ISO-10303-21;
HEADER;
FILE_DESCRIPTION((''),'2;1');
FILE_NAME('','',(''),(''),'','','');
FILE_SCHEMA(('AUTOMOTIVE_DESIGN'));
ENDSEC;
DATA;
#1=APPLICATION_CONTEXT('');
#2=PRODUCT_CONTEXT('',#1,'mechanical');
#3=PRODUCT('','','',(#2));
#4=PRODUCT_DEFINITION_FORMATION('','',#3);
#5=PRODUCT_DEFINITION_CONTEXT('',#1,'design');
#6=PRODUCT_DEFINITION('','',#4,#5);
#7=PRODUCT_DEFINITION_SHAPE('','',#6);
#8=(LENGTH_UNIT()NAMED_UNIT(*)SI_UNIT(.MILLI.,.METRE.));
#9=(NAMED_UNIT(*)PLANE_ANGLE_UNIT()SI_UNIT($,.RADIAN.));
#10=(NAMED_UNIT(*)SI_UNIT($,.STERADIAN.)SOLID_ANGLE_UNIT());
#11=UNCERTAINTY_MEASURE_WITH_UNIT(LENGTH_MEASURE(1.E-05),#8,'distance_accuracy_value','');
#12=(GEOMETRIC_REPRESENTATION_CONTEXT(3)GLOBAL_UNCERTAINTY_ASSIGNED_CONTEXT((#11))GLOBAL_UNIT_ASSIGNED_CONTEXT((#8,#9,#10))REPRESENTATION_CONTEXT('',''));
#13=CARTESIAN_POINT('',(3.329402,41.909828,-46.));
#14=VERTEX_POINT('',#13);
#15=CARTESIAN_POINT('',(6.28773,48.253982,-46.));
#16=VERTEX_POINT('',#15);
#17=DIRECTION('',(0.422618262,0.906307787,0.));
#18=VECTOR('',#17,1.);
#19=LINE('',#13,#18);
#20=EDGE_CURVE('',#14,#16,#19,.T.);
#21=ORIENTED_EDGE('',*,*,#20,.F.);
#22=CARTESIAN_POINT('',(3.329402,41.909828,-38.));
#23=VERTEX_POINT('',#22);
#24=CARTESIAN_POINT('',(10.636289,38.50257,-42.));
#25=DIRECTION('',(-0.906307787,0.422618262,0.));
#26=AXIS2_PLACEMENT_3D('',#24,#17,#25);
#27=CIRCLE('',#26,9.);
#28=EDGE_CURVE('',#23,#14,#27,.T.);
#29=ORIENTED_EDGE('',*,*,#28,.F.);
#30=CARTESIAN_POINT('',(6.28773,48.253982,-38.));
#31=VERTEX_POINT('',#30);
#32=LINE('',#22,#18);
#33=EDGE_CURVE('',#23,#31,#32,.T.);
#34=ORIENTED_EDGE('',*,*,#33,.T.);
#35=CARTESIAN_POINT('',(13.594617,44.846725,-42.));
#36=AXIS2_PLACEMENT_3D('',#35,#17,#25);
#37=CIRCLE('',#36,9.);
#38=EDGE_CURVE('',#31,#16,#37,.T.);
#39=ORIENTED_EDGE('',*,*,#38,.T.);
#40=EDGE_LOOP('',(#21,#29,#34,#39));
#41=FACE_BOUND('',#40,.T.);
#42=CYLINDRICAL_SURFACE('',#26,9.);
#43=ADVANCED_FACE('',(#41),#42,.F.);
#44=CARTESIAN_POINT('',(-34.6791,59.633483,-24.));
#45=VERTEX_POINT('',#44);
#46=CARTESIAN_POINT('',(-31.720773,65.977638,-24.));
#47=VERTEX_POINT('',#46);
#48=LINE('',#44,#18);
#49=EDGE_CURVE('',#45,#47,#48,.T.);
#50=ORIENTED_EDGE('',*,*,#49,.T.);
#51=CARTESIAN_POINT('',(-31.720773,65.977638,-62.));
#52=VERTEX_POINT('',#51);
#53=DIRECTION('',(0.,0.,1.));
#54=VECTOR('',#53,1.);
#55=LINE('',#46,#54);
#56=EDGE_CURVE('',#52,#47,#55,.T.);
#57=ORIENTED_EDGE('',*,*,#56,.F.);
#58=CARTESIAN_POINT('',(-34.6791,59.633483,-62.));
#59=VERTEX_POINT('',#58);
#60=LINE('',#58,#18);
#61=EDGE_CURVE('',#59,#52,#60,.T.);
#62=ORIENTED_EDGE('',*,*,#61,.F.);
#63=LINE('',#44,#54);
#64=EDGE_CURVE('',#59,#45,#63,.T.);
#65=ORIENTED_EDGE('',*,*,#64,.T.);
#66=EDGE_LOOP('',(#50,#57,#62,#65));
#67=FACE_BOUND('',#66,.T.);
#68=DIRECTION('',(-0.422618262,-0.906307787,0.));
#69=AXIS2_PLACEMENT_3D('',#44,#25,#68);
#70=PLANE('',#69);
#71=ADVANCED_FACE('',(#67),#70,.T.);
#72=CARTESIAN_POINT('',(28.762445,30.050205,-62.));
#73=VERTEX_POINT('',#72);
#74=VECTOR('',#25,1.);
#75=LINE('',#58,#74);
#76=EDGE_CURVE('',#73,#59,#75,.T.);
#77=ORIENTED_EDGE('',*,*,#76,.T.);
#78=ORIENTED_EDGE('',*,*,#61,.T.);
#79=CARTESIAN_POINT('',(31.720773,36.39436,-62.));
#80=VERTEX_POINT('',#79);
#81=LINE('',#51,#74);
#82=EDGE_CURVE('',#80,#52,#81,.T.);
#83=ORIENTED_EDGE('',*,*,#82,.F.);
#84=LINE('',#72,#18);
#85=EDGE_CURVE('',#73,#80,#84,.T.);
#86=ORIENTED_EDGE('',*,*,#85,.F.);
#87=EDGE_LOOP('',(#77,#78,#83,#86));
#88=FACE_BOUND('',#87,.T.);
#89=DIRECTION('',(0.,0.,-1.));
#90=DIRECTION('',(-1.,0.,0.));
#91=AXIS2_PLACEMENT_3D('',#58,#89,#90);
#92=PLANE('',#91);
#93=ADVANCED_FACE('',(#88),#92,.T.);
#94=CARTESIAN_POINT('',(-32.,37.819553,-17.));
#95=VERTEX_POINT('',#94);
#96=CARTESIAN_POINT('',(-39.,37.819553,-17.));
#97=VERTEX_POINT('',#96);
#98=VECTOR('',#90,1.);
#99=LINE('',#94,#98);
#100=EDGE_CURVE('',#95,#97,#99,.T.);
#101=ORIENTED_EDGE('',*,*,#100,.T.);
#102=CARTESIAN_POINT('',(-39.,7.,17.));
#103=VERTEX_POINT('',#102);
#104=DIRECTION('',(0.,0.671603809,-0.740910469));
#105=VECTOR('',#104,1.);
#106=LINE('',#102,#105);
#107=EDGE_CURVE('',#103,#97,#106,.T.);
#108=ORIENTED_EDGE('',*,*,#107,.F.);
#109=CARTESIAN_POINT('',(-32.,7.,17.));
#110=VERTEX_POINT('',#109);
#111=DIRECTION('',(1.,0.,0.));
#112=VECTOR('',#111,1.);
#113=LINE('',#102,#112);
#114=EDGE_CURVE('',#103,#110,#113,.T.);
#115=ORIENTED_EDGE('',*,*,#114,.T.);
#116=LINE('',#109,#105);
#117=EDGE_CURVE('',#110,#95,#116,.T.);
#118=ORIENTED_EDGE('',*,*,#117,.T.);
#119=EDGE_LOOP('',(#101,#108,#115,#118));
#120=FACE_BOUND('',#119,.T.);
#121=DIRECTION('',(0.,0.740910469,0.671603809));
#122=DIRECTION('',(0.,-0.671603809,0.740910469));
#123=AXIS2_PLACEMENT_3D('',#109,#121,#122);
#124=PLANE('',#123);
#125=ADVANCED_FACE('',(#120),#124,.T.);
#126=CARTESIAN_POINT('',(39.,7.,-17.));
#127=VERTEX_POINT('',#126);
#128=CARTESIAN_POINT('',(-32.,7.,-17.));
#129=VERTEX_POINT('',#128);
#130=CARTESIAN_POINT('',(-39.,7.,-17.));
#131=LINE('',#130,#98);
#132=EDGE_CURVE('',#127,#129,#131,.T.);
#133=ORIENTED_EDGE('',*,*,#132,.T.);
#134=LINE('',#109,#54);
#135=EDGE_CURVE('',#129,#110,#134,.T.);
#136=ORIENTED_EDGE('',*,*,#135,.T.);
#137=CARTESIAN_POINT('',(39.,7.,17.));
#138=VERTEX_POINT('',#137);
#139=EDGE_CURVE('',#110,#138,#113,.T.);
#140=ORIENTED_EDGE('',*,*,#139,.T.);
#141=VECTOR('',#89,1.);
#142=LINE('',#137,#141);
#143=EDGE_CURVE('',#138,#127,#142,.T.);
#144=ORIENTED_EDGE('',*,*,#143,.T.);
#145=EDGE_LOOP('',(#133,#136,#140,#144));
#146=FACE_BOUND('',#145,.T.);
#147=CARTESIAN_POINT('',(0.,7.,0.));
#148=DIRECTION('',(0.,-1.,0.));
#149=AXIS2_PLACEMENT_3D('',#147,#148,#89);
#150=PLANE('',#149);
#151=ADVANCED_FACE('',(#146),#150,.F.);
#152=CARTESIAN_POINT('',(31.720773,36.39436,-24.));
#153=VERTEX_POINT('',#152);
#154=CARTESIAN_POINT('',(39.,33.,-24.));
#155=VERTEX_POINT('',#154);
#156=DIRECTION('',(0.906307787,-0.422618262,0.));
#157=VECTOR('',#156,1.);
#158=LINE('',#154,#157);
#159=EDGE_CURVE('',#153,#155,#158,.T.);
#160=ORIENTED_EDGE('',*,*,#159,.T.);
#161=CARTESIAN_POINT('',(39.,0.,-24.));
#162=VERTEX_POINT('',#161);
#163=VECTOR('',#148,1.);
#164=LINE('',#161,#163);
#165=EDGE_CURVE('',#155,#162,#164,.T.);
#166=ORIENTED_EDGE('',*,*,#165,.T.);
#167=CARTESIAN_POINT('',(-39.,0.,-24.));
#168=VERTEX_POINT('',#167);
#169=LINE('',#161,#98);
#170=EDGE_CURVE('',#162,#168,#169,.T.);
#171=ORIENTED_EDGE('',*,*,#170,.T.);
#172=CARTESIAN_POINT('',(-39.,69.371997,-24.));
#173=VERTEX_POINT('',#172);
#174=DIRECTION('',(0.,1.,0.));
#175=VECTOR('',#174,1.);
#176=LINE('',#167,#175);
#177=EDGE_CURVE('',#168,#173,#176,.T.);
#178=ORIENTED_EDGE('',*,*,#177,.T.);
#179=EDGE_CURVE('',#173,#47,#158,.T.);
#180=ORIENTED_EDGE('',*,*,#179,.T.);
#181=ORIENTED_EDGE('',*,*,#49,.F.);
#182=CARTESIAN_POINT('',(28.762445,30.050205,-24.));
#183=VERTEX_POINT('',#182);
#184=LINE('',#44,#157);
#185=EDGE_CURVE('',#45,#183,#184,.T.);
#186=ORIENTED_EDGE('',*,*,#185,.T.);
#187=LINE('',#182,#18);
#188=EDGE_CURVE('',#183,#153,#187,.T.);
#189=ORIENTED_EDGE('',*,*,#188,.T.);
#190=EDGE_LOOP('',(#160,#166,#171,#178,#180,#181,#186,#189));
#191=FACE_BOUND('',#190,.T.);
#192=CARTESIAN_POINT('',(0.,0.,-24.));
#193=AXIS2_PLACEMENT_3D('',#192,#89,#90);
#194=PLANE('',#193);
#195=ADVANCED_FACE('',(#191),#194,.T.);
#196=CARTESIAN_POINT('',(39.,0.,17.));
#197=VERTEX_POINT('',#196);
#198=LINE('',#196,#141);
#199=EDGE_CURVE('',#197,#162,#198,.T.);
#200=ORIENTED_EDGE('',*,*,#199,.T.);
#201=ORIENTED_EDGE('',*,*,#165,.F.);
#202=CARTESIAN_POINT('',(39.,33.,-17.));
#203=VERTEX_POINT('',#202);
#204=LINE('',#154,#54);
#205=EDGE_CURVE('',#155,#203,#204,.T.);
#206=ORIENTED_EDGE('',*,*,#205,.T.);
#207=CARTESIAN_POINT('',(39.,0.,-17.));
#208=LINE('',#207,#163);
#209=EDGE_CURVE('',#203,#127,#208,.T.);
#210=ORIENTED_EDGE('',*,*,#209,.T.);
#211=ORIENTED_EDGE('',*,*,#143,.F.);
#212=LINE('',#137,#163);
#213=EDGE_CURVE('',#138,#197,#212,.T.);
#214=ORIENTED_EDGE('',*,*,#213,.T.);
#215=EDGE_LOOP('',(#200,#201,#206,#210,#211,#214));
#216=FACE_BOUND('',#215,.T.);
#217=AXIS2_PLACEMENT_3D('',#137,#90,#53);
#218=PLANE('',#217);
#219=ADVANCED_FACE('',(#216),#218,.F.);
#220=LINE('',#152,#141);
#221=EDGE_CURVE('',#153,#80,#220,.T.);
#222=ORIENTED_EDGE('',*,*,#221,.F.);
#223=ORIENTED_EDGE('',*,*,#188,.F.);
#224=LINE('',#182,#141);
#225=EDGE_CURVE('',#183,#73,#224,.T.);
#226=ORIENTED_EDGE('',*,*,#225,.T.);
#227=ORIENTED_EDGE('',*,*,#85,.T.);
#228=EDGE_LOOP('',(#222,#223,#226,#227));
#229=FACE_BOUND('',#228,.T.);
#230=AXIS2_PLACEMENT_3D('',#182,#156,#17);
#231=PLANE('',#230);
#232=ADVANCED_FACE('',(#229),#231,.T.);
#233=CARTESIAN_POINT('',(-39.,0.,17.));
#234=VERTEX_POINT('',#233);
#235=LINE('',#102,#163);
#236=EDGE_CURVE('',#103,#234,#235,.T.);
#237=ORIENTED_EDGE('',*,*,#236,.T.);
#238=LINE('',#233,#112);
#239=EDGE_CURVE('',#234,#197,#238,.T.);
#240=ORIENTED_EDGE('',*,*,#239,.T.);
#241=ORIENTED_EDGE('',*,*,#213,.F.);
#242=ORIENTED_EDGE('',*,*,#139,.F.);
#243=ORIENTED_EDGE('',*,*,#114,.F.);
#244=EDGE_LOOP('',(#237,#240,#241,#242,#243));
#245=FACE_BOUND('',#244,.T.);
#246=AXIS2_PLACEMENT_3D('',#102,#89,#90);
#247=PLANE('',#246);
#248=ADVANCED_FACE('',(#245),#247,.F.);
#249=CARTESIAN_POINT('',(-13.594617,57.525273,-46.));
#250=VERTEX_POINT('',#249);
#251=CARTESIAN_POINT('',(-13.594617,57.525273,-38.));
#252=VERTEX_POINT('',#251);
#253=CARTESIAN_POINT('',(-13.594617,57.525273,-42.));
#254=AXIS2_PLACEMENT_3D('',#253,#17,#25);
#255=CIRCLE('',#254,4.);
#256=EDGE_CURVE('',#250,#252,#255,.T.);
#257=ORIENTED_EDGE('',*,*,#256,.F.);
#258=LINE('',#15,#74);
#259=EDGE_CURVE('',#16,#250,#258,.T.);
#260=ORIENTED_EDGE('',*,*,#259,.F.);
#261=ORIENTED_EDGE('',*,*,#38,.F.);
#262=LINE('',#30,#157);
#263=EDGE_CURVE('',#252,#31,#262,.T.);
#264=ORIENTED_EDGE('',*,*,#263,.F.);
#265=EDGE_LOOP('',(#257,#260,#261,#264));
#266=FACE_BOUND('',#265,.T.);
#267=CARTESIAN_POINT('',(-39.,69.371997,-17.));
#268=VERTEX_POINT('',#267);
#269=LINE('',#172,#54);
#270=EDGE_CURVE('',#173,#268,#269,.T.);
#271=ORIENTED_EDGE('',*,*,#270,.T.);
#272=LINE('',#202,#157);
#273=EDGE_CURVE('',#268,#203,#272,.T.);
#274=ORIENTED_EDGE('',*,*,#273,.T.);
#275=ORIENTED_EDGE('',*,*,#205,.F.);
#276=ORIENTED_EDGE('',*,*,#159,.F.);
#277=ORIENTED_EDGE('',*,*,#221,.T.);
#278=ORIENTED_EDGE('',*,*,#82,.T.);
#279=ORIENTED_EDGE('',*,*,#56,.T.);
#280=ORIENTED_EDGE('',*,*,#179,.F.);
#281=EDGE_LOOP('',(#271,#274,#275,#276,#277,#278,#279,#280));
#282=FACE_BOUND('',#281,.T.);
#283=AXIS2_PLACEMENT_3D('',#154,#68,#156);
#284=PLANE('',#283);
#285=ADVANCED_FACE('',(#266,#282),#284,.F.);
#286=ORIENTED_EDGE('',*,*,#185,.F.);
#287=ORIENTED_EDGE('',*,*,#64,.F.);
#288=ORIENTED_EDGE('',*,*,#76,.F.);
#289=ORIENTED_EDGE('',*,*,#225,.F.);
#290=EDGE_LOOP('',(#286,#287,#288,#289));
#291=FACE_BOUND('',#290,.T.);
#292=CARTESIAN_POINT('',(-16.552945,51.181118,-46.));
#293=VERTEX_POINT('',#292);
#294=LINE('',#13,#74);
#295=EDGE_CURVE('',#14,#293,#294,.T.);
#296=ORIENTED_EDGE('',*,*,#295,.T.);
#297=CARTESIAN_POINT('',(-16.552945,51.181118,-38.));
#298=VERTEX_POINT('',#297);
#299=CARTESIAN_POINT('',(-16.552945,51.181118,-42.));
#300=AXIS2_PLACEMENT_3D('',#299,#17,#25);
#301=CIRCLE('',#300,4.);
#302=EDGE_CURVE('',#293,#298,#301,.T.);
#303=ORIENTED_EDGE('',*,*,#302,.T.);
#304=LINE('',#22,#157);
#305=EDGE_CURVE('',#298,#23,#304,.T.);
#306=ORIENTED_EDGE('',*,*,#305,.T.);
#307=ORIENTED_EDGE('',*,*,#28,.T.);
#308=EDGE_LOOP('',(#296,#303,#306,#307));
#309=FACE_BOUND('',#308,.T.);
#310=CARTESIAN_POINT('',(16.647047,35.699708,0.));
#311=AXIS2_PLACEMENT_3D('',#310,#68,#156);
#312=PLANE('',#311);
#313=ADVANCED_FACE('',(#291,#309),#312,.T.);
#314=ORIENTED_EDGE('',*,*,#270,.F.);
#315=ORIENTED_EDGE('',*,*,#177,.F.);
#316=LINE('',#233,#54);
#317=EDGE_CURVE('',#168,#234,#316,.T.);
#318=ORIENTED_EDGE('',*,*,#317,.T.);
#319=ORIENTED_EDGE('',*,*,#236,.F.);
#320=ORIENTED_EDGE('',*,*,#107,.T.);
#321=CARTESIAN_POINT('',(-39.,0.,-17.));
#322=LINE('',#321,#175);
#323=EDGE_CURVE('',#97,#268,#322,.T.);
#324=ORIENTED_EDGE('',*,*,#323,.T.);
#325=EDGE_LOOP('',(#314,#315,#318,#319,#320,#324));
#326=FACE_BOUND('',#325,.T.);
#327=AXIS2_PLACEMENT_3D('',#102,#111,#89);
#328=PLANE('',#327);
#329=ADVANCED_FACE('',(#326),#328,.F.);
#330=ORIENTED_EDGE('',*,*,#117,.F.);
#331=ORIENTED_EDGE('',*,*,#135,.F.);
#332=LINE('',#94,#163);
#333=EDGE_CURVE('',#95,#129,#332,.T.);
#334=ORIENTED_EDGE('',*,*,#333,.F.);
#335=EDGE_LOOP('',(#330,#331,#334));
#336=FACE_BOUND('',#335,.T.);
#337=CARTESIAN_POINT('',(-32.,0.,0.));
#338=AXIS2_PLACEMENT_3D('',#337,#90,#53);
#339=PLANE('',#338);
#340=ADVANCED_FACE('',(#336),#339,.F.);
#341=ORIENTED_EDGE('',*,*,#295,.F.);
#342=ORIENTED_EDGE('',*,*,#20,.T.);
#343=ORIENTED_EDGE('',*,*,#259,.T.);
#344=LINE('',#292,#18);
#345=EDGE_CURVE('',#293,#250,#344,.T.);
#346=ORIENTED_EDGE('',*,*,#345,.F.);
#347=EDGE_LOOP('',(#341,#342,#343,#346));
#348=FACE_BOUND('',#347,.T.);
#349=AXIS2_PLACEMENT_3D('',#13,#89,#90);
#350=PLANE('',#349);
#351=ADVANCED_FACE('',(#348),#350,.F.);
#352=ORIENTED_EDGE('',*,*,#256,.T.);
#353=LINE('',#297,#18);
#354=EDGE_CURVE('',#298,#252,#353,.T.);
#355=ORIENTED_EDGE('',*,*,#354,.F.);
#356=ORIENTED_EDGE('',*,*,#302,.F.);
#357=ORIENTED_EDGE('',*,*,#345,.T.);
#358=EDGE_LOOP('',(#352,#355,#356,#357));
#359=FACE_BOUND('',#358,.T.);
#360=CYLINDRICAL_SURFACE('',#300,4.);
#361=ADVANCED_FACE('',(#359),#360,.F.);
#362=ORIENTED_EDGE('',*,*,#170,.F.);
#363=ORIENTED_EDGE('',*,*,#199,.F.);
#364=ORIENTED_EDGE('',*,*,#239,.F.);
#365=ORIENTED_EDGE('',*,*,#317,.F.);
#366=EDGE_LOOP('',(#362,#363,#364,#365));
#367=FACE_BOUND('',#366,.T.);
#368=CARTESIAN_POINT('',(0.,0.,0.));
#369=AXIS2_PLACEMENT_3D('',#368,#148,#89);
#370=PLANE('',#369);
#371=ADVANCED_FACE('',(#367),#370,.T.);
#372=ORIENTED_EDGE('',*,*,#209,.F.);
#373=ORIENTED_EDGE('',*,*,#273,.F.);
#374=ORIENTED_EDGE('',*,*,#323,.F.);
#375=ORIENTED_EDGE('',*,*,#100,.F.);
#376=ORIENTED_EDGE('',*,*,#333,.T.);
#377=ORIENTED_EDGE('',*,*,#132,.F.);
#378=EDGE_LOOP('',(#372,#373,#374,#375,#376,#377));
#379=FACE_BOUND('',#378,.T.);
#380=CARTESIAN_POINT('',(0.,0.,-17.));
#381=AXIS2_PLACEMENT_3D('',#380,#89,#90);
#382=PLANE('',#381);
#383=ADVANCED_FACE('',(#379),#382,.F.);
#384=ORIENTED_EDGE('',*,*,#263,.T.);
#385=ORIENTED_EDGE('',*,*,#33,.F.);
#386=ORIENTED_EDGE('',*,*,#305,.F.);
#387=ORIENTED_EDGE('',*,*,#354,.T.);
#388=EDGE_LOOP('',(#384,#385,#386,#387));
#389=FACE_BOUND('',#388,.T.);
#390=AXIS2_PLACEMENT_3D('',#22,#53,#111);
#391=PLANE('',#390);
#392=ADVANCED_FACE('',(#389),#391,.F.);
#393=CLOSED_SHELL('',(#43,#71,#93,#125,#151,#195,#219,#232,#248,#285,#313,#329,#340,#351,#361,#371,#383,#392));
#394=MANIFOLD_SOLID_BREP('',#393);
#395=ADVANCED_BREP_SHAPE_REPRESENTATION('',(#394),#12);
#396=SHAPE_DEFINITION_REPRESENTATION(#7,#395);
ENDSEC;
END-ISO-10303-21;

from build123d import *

# Parameters (mm, degrees)
SKETCH1_W           = 78
SKETCH1_H           = 34
BOSS_EXTRUDE1_DEPTH = 7
BOSS_EXTRUDE2_DEPTH = 7
BOSS_EXTRUDE3_DEPTH = 7
SKETCH6_W           = 70
SKETCH6_H           = 38
BOSS_EXTRUDE4_DEPTH = 7
CUT_EXTRUDE1_DEPTH  = 7


with BuildPart() as part:
    # Sketch1 → Boss-Extrude1 (new body)
    with BuildSketch(Plane(origin=(0, 0, 0), x_dir=(1, 0, 0), z_dir=(0, 1, 0))):
        Rectangle(SKETCH1_W, SKETCH1_H)
    extrude(amount=BOSS_EXTRUDE1_DEPTH)

    # Sketch3 → Boss-Extrude2 (add)
    with BuildSketch(Plane.ZY.offset(39)):
        Polygon((17, 7), (-17, 37.819553073), (-17, 7), align=None)
    extrude(amount=-BOSS_EXTRUDE2_DEPTH)

    # Sketch4 → Boss-Extrude3 (add)
    with BuildSketch(Plane(origin=(0, 0, -17), x_dir=(-1, 0, 0), z_dir=(0, 0, -1))):
        Polygon((-39, 0), (-39, 33), (39, 69.371997336), (39, 0), align=None)
    extrude(amount=BOSS_EXTRUDE3_DEPTH)

    # Sketch6 → Boss-Extrude4 (add)
    with BuildSketch(Plane(origin=(19.605374923, 42.043862201, 0), x_dir=(0.9063077870366493, -0.4226182617407009, 0), z_dir=(0.4226182617407009, 0.9063077870366493, 0))):
        with Locations((-21.632137783, 43)):
            Rectangle(SKETCH6_W, SKETCH6_H)
    extrude(amount=-BOSS_EXTRUDE4_DEPTH)

    # Sketch7 → Cut-Extrude1 (cut)
    with BuildSketch(Plane(origin=(19.605374923, 42.043862201, 0), x_dir=(0.9063077870366493, -0.4226182617407009, 0), z_dir=(0.4226182617407009, 0.9063077870366493, 0))):
        with BuildLine():
            Line((-14.694395531, 38), (-36.632137783, 38))
            ThreePointArc((-36.632137783, 38), (-40.632137783, 42), (-36.632137783, 46))
            Line((-36.632137783, 46), (-14.694395531, 46))
            ThreePointArc((-14.694395531, 46), (2.367862217, 42), (-14.694395531, 38))
        make_face()
    extrude(amount=-CUT_EXTRUDE1_DEPTH, mode=Mode.SUBTRACT)


solid = part.part
